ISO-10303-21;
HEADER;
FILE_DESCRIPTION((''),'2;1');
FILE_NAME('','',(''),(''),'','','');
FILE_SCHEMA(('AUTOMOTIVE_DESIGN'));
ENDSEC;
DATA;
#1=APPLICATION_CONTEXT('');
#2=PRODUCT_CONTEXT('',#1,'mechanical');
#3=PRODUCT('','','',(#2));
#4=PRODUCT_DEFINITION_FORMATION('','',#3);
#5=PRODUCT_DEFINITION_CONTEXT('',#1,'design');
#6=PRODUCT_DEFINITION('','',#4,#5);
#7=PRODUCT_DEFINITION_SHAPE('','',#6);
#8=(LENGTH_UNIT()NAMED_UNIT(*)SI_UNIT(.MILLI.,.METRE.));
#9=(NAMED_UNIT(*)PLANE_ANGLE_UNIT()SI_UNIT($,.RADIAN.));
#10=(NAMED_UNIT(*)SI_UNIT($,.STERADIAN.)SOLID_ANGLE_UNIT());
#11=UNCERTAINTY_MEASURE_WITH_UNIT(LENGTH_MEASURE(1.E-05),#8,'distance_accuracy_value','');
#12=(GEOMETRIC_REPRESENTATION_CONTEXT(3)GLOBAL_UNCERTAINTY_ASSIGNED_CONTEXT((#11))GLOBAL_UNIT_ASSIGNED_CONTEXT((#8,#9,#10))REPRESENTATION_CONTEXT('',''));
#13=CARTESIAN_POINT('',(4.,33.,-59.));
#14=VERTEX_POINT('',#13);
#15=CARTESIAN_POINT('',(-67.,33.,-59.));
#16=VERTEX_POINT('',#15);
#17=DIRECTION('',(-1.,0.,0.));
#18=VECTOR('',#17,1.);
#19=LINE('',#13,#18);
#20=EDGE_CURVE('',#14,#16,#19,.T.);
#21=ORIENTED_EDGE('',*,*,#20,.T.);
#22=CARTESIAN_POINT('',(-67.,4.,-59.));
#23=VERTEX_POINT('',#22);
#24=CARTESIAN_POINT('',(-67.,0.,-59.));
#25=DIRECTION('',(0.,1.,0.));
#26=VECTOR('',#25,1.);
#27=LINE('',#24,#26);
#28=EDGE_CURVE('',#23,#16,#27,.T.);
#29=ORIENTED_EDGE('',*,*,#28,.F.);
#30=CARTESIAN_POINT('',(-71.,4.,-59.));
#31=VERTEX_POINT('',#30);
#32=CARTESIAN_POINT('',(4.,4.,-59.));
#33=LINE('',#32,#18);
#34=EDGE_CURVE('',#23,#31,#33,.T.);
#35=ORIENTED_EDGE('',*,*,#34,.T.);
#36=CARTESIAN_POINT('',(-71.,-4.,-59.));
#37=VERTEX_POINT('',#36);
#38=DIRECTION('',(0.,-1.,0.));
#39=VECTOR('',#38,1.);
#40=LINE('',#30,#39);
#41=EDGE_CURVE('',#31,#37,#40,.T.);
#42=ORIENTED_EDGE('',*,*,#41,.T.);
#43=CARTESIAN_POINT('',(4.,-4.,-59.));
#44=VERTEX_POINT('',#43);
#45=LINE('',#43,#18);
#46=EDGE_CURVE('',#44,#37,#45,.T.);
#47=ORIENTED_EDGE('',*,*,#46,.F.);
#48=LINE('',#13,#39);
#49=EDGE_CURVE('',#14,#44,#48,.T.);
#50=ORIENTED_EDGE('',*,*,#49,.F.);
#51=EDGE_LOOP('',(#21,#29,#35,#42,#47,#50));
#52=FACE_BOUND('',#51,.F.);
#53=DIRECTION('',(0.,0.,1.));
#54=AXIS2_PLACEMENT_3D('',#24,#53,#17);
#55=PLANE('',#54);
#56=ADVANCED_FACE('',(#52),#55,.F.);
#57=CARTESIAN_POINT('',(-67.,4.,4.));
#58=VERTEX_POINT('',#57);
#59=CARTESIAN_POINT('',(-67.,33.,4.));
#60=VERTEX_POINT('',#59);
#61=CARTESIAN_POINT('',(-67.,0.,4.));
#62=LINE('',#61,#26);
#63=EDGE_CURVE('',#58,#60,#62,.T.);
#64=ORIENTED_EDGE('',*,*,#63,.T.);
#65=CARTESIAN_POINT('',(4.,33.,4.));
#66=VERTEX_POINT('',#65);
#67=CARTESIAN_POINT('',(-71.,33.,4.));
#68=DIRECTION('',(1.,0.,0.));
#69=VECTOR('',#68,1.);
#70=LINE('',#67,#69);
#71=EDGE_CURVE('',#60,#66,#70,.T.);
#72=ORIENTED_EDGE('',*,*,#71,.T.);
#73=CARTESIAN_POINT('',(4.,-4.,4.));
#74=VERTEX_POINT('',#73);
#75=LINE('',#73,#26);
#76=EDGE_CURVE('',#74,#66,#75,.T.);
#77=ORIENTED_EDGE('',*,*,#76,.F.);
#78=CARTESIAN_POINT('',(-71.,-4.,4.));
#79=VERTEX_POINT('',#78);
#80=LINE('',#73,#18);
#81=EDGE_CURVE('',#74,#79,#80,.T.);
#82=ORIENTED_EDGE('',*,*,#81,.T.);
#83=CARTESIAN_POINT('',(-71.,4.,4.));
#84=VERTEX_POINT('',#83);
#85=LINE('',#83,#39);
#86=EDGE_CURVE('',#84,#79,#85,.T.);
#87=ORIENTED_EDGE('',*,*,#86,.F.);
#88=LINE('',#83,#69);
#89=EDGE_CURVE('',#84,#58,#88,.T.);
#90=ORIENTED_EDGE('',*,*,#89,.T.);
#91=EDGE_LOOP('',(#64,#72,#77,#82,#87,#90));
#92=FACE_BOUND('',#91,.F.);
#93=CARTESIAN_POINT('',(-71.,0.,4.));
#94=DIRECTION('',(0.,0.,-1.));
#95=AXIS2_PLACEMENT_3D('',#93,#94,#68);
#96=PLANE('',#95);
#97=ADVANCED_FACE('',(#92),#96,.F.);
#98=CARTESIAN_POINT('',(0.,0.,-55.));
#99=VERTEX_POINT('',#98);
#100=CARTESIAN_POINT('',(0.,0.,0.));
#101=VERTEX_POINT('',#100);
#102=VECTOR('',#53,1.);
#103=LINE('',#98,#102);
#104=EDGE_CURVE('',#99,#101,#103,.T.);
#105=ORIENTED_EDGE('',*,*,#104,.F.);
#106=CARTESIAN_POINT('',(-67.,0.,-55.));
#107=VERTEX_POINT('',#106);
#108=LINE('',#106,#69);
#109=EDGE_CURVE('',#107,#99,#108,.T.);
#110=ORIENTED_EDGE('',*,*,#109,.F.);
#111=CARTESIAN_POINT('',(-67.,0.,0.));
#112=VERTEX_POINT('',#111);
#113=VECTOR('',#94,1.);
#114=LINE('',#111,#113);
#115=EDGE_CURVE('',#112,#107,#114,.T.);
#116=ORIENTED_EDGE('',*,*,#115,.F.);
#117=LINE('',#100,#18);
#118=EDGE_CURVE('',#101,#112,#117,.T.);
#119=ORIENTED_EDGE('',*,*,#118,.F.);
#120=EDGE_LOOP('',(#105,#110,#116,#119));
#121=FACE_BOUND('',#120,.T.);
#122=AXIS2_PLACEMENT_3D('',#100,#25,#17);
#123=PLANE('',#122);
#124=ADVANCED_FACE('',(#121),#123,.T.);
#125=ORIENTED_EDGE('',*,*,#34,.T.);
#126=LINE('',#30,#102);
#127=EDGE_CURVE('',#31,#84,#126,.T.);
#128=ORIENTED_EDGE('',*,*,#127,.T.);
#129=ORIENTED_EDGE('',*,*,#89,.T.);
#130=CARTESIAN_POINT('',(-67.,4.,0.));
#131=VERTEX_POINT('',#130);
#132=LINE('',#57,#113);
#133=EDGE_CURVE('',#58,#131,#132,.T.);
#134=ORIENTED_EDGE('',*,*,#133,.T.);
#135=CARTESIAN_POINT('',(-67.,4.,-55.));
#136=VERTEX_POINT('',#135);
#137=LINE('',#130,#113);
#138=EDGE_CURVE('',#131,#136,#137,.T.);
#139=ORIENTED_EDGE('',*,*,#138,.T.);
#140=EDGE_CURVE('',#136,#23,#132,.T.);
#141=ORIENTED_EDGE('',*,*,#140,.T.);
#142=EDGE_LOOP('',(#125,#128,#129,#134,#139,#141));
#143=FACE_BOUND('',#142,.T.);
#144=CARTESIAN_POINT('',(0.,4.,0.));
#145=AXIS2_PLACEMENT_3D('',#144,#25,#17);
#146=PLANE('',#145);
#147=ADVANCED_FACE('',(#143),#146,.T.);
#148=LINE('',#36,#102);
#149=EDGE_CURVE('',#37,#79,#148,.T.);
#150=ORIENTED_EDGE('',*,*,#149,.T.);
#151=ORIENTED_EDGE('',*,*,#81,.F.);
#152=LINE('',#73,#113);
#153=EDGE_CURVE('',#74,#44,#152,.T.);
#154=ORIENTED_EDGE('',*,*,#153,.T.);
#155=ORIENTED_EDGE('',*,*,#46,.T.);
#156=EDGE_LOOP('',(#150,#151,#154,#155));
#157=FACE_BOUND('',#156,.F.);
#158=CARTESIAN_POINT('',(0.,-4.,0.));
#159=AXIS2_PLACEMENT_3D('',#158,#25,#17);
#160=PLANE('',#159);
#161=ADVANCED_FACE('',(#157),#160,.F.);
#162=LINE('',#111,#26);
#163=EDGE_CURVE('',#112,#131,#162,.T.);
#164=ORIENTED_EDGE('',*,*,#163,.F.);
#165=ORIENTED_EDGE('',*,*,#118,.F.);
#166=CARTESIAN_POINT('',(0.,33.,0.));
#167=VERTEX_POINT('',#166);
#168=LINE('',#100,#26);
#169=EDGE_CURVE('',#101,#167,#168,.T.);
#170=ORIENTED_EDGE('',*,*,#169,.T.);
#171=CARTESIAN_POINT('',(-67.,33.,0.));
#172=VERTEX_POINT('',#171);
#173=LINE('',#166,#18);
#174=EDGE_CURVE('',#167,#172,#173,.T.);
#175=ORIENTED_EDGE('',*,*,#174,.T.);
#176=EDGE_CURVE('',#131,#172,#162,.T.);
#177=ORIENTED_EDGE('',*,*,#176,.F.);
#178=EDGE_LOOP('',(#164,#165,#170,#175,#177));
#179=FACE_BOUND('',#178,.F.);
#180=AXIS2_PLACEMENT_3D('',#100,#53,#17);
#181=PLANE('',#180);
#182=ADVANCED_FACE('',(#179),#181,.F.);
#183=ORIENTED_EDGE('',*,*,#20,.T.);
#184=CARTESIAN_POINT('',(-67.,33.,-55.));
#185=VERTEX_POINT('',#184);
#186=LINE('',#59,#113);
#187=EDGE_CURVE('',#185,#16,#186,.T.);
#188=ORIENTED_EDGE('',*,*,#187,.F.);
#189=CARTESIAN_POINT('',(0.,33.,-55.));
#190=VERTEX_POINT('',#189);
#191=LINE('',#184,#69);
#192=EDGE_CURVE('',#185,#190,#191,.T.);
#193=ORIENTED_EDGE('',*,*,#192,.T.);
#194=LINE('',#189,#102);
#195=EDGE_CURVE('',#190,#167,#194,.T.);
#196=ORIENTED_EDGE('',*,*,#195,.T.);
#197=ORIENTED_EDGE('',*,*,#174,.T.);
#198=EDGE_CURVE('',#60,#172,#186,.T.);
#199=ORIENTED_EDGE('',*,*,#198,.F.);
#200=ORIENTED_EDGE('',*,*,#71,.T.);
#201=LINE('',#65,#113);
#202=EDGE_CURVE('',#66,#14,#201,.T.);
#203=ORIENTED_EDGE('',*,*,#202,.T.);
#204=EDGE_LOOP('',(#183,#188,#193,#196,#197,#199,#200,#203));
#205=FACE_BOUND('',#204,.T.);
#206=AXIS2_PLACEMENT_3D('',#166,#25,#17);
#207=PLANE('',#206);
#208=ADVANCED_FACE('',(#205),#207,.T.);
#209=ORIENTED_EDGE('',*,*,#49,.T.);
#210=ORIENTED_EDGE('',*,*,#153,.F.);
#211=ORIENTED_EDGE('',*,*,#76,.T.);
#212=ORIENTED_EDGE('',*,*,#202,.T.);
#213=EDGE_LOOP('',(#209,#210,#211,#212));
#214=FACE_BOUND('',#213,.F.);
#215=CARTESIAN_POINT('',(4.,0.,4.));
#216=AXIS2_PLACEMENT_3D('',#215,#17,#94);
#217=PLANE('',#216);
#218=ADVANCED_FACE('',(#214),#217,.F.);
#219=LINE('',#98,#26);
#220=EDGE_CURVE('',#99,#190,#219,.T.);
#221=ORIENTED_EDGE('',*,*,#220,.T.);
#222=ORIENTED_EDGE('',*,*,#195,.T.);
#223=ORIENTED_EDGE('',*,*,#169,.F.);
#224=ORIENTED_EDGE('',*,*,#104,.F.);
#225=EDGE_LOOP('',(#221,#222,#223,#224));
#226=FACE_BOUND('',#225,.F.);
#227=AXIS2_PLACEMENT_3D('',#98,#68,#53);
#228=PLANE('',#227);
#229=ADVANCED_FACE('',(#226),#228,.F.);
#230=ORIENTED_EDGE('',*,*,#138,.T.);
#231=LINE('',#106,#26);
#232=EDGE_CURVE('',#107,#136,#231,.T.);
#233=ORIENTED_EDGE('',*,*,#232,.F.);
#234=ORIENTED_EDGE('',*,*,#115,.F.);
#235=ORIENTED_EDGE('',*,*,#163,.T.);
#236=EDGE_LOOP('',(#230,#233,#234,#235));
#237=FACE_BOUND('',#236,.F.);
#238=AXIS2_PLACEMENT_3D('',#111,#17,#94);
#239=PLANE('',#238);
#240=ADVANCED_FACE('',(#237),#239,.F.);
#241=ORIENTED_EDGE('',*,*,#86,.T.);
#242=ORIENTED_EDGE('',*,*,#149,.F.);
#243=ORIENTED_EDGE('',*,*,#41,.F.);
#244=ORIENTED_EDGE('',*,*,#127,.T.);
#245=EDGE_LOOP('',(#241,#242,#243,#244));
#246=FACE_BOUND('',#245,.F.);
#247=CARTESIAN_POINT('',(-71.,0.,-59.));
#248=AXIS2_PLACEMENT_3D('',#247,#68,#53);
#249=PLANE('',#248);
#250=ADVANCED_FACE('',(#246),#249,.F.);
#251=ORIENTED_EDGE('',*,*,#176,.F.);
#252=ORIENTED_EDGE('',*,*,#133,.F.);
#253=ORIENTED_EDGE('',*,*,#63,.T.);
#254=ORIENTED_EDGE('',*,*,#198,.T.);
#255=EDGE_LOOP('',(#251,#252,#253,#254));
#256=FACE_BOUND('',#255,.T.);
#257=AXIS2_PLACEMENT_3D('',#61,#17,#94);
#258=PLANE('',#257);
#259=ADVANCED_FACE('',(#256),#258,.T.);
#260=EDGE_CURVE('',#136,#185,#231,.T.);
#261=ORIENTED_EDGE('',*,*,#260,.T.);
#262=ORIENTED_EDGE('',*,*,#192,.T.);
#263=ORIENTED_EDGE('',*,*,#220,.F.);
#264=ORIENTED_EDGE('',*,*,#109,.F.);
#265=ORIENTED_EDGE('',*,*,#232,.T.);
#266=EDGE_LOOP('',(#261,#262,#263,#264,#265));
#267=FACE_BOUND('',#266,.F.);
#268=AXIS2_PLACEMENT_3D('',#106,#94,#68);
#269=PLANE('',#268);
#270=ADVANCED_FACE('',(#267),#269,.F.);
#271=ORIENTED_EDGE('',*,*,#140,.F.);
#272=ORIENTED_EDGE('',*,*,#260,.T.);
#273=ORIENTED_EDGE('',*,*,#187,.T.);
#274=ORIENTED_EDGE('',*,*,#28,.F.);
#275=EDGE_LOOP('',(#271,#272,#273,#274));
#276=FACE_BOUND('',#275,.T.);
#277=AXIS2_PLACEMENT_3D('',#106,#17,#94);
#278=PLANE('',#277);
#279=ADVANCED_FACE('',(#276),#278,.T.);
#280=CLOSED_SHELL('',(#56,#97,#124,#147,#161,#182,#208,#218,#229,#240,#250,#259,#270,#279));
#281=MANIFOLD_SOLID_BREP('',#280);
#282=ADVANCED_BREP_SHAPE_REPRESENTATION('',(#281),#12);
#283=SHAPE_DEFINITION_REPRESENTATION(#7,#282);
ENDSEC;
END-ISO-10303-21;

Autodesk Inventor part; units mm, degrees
ref_plane "YZ Plane" through (0, 0, 0) normal (1, 0, 0) x (0, 1, 0)
ref_plane "XZ Plane" through (0, 0, 0) normal (0, 1, 0) x (-1, 0, 0)
ref_plane "XY Plane" through (0, 0, 0) normal (0, 0, 1) x (1, 0, 0)
sketch "Sketch1" plane through (0, 0, 0) normal (0, 1, 0) x (-1, 0, 0)
  line L0 (0, 0) -> (67, 0)
  line L1 (67, 0) -> (67, -55)
  line L2 (67, -55) -> (0, -55)
  line L3 (0, -55) -> (0, 0)
  line L4 (-4, -59) -> (71, -59)
  line L5 (71, -59) -> (71, 4)
  line L6 (71, 4) -> (-4, 4)
  line L7 (-4, 4) -> (-4, -59)
  line L8 (67, 4) -> (67, -59)
  dimension "d0" = 67
  dimension "d1" = 55
  dimension "d2" = 4
extrude "Extrusion1" add sketch "Sketch1" along normal blind 33 contours L3 L2 L8 L4 L7 L6 L0
extrude "Extrusion2" add sketch "Sketch1" against normal blind 4
extrude "Extrusion3" add sketch "Sketch1" along normal blind 4 contours L8 L6 L5 L4 L1
properties part number "Z Fold Jig"
